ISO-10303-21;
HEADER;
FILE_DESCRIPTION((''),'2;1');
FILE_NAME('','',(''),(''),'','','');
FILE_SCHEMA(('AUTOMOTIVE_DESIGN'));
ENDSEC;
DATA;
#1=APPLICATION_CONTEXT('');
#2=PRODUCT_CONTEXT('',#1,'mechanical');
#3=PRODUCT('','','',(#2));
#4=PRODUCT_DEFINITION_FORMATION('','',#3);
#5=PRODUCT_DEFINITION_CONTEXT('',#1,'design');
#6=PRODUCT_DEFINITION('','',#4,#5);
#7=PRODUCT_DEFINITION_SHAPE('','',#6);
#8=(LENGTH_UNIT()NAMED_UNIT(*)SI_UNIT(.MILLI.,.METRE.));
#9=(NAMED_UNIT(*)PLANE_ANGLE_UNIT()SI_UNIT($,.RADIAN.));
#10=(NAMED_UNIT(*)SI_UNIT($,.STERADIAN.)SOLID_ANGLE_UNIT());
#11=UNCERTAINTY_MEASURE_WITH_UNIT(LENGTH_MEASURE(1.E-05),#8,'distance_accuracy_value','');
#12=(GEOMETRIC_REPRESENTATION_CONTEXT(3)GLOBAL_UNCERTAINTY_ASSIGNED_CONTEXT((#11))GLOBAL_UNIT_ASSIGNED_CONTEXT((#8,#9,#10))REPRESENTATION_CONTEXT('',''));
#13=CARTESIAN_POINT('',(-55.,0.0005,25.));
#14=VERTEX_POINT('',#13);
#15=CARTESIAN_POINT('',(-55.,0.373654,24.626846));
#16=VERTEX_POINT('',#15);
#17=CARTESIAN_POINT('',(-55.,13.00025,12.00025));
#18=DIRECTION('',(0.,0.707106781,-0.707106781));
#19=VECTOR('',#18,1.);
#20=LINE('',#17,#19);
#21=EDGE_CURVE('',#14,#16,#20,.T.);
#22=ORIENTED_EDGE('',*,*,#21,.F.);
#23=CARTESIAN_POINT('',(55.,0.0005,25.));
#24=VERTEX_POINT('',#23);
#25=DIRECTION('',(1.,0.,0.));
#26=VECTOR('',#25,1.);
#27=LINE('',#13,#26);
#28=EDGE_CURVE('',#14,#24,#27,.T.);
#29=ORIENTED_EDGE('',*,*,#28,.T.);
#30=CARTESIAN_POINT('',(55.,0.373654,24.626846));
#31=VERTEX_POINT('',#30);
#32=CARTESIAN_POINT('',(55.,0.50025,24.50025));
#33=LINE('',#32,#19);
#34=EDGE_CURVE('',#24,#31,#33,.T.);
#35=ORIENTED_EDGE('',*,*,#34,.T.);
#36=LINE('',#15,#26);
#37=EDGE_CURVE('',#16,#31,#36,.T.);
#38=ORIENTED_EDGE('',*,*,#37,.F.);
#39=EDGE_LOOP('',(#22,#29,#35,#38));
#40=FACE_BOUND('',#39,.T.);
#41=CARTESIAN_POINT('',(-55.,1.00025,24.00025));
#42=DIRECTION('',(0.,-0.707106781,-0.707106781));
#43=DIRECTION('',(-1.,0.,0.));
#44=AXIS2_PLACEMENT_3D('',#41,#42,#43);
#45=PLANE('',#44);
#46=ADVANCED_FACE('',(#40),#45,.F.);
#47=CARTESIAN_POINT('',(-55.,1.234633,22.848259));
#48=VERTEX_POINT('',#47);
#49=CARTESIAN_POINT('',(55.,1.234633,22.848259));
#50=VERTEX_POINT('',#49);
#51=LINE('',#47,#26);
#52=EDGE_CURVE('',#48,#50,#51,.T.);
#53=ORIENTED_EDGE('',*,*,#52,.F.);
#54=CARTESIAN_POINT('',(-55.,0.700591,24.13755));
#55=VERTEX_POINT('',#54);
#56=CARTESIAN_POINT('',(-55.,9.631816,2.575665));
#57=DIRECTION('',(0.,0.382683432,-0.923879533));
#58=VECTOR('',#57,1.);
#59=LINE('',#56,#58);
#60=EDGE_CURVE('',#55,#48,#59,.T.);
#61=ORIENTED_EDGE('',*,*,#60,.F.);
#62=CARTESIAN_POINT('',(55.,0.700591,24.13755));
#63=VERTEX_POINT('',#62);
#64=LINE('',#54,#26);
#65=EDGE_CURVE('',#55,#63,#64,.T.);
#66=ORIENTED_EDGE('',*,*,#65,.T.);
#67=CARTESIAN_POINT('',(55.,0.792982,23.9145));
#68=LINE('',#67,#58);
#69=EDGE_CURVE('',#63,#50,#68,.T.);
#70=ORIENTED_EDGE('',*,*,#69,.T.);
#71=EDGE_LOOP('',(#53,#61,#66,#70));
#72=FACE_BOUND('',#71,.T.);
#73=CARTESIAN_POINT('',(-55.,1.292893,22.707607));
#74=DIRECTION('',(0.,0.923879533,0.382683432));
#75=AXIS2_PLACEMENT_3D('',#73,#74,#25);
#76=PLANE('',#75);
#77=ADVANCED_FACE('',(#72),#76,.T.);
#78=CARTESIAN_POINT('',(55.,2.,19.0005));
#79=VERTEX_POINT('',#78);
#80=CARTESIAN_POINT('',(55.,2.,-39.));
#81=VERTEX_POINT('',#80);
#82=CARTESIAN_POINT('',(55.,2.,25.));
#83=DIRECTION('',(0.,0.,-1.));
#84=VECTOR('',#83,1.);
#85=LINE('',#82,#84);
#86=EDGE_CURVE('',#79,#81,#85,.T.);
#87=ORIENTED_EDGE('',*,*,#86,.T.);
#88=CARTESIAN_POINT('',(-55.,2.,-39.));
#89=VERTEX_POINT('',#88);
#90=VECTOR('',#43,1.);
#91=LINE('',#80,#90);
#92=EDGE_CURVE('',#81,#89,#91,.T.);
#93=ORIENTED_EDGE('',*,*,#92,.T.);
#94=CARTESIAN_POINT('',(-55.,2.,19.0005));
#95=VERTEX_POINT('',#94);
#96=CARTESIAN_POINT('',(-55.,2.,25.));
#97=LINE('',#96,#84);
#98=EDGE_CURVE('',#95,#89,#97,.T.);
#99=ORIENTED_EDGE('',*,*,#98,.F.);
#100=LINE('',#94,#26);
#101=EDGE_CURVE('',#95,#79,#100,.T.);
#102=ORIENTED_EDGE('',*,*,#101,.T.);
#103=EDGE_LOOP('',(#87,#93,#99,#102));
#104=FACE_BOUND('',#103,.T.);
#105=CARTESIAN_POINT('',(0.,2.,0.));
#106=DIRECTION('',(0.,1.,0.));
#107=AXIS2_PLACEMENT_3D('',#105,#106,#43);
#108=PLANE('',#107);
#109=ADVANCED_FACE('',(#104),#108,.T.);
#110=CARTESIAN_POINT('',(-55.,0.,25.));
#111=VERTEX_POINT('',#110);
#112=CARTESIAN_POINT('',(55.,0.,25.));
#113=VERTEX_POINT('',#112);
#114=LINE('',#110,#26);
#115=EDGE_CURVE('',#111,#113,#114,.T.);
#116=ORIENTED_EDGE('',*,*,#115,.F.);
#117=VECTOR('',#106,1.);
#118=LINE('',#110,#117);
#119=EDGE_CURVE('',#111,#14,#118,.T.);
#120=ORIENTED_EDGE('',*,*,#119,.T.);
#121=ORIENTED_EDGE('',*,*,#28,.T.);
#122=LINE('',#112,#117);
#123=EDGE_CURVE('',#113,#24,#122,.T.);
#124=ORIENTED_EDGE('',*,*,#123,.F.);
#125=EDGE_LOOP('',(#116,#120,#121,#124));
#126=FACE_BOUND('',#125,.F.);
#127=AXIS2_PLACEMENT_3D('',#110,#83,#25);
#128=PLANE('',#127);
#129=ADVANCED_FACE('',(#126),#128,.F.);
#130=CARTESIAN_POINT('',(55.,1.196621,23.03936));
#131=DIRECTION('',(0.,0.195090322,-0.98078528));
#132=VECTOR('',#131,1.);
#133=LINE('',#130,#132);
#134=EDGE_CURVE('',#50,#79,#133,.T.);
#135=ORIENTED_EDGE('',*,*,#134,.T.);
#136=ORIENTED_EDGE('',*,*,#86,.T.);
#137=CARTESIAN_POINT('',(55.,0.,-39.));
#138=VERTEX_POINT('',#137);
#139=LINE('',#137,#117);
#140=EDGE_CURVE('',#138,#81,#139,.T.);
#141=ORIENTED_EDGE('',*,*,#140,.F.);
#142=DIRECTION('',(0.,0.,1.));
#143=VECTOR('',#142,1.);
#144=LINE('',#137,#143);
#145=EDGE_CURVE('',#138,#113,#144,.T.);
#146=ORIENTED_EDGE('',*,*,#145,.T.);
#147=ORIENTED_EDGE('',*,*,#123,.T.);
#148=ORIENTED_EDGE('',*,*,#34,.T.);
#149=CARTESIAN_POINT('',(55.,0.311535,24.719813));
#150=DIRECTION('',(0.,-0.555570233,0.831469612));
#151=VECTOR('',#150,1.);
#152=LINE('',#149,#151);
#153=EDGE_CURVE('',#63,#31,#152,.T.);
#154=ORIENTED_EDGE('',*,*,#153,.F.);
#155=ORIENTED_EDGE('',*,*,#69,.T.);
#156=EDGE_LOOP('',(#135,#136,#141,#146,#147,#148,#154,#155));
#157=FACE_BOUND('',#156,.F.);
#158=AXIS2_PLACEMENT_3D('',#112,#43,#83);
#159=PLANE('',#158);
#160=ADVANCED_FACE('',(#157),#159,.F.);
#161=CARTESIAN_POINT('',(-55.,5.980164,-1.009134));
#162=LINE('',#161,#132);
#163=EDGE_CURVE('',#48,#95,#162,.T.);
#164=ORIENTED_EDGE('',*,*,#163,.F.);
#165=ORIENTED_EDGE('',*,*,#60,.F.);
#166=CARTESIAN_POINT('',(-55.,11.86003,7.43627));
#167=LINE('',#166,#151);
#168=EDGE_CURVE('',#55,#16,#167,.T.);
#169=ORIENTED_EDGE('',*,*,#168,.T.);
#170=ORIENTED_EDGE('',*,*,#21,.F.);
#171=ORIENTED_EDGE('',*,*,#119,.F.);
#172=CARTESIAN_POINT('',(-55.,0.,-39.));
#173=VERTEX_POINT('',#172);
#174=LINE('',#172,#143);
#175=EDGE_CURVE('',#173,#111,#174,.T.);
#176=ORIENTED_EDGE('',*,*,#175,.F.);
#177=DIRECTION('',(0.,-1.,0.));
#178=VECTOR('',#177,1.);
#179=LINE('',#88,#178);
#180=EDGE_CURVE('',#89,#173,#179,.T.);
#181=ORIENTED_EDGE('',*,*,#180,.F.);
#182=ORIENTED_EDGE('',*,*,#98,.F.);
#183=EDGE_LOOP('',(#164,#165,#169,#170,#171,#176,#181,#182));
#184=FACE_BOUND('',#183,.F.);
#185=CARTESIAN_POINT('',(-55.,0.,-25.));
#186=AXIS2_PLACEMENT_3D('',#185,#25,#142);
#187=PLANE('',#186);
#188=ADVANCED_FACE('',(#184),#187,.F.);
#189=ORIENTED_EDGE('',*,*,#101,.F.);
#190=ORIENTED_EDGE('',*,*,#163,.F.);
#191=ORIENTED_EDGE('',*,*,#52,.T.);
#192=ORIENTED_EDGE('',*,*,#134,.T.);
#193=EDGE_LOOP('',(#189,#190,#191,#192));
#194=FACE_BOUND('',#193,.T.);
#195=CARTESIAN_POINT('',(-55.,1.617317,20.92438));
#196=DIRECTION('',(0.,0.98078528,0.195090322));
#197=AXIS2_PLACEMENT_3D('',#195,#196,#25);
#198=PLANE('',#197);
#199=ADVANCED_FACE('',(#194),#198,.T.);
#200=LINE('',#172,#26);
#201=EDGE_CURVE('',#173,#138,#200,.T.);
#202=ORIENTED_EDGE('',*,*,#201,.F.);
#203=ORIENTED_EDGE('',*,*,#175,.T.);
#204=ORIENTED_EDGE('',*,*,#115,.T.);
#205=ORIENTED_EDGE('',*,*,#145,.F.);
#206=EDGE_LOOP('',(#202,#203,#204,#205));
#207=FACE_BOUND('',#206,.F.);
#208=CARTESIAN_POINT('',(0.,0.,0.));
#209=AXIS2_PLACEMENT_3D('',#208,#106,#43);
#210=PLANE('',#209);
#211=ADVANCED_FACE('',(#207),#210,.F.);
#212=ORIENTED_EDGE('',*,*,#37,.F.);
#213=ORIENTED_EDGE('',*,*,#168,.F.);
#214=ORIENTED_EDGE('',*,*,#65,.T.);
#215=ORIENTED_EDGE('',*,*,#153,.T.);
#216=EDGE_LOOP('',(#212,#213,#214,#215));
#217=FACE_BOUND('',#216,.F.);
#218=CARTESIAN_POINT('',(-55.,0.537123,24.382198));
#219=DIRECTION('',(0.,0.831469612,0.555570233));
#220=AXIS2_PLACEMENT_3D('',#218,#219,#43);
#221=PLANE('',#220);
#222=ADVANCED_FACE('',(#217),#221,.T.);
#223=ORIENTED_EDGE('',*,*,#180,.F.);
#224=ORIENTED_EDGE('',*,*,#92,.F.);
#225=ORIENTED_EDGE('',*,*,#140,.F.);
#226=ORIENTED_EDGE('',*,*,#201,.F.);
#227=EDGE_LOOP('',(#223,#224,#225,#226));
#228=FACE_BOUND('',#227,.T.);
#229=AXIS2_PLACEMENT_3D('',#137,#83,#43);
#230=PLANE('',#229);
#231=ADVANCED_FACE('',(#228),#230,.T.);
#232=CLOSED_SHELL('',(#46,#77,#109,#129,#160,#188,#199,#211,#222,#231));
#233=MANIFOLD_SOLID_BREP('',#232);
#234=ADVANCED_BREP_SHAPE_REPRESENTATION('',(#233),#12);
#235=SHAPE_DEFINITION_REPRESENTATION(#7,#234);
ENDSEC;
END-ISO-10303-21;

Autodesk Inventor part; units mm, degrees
ref_plane "YZ Plane" through (0, 0, 0) normal (1, 0, 0) x (0, 1, 0)
ref_plane "XZ Plane" through (0, 0, 0) normal (0, 1, 0) x (-1, 0, 0)
ref_plane "XY Plane" through (0, 0, 0) normal (0, 0, 1) x (1, 0, 0)
sketch "Sketch1" plane through (0, 0, 0) normal (0, 1, 0) x (-1, 0, 0)
  line L0 (55, 25) -> (-55, 25)
  line L1 (-55, 25) -> (-55, -25)
  line L2 (-55, -25) -> (55, -25)
  line L3 (55, -25) -> (55, 25)
  line L4 (55, 25) -> (-55, -25) construction
  line L5 (-55, 25) -> (55, -25) construction
  point P0 (0, 0)
  dimension "d0" = 110
  dimension "d1" = 50
extrude "Extrusion1" add sketch "Sketch1" along normal blind 2
sketch "Sketch2" plane through (55, 0, -25) normal (0, 0, -1) x (-1, 0, 0)
  line L0 (0, 2) -> (110, 2) projected
  line L1 (110, 0.5858) -> (110, 0) projected
  line L2 (0, 2) -> (110, 2)
  line L3 (110, 2) -> (110, 0)
  line L4 (110, 0) -> (0, 0)
  line L5 (0, 0) -> (0, 2)
  point P0 (55, 0)
extrude "Extrusion2" add sketch "Sketch2" along normal blind 14
chamfer "Chamfer4" distance 2 angle 45 1 edges at (0, 2, 25)
chamfer "Chamfer5" distance 2 angle 45 1 edges at (0, 2, 23.0005)
chamfer "Chamfer6" distance 2 angle 45 1 edges at (0, 2, 21.0005)
chamfer "Chamfer7" distance 0.3 angle 45 1 edges at (0, 0.5858, 24.4147)
properties part number "Empuja"
